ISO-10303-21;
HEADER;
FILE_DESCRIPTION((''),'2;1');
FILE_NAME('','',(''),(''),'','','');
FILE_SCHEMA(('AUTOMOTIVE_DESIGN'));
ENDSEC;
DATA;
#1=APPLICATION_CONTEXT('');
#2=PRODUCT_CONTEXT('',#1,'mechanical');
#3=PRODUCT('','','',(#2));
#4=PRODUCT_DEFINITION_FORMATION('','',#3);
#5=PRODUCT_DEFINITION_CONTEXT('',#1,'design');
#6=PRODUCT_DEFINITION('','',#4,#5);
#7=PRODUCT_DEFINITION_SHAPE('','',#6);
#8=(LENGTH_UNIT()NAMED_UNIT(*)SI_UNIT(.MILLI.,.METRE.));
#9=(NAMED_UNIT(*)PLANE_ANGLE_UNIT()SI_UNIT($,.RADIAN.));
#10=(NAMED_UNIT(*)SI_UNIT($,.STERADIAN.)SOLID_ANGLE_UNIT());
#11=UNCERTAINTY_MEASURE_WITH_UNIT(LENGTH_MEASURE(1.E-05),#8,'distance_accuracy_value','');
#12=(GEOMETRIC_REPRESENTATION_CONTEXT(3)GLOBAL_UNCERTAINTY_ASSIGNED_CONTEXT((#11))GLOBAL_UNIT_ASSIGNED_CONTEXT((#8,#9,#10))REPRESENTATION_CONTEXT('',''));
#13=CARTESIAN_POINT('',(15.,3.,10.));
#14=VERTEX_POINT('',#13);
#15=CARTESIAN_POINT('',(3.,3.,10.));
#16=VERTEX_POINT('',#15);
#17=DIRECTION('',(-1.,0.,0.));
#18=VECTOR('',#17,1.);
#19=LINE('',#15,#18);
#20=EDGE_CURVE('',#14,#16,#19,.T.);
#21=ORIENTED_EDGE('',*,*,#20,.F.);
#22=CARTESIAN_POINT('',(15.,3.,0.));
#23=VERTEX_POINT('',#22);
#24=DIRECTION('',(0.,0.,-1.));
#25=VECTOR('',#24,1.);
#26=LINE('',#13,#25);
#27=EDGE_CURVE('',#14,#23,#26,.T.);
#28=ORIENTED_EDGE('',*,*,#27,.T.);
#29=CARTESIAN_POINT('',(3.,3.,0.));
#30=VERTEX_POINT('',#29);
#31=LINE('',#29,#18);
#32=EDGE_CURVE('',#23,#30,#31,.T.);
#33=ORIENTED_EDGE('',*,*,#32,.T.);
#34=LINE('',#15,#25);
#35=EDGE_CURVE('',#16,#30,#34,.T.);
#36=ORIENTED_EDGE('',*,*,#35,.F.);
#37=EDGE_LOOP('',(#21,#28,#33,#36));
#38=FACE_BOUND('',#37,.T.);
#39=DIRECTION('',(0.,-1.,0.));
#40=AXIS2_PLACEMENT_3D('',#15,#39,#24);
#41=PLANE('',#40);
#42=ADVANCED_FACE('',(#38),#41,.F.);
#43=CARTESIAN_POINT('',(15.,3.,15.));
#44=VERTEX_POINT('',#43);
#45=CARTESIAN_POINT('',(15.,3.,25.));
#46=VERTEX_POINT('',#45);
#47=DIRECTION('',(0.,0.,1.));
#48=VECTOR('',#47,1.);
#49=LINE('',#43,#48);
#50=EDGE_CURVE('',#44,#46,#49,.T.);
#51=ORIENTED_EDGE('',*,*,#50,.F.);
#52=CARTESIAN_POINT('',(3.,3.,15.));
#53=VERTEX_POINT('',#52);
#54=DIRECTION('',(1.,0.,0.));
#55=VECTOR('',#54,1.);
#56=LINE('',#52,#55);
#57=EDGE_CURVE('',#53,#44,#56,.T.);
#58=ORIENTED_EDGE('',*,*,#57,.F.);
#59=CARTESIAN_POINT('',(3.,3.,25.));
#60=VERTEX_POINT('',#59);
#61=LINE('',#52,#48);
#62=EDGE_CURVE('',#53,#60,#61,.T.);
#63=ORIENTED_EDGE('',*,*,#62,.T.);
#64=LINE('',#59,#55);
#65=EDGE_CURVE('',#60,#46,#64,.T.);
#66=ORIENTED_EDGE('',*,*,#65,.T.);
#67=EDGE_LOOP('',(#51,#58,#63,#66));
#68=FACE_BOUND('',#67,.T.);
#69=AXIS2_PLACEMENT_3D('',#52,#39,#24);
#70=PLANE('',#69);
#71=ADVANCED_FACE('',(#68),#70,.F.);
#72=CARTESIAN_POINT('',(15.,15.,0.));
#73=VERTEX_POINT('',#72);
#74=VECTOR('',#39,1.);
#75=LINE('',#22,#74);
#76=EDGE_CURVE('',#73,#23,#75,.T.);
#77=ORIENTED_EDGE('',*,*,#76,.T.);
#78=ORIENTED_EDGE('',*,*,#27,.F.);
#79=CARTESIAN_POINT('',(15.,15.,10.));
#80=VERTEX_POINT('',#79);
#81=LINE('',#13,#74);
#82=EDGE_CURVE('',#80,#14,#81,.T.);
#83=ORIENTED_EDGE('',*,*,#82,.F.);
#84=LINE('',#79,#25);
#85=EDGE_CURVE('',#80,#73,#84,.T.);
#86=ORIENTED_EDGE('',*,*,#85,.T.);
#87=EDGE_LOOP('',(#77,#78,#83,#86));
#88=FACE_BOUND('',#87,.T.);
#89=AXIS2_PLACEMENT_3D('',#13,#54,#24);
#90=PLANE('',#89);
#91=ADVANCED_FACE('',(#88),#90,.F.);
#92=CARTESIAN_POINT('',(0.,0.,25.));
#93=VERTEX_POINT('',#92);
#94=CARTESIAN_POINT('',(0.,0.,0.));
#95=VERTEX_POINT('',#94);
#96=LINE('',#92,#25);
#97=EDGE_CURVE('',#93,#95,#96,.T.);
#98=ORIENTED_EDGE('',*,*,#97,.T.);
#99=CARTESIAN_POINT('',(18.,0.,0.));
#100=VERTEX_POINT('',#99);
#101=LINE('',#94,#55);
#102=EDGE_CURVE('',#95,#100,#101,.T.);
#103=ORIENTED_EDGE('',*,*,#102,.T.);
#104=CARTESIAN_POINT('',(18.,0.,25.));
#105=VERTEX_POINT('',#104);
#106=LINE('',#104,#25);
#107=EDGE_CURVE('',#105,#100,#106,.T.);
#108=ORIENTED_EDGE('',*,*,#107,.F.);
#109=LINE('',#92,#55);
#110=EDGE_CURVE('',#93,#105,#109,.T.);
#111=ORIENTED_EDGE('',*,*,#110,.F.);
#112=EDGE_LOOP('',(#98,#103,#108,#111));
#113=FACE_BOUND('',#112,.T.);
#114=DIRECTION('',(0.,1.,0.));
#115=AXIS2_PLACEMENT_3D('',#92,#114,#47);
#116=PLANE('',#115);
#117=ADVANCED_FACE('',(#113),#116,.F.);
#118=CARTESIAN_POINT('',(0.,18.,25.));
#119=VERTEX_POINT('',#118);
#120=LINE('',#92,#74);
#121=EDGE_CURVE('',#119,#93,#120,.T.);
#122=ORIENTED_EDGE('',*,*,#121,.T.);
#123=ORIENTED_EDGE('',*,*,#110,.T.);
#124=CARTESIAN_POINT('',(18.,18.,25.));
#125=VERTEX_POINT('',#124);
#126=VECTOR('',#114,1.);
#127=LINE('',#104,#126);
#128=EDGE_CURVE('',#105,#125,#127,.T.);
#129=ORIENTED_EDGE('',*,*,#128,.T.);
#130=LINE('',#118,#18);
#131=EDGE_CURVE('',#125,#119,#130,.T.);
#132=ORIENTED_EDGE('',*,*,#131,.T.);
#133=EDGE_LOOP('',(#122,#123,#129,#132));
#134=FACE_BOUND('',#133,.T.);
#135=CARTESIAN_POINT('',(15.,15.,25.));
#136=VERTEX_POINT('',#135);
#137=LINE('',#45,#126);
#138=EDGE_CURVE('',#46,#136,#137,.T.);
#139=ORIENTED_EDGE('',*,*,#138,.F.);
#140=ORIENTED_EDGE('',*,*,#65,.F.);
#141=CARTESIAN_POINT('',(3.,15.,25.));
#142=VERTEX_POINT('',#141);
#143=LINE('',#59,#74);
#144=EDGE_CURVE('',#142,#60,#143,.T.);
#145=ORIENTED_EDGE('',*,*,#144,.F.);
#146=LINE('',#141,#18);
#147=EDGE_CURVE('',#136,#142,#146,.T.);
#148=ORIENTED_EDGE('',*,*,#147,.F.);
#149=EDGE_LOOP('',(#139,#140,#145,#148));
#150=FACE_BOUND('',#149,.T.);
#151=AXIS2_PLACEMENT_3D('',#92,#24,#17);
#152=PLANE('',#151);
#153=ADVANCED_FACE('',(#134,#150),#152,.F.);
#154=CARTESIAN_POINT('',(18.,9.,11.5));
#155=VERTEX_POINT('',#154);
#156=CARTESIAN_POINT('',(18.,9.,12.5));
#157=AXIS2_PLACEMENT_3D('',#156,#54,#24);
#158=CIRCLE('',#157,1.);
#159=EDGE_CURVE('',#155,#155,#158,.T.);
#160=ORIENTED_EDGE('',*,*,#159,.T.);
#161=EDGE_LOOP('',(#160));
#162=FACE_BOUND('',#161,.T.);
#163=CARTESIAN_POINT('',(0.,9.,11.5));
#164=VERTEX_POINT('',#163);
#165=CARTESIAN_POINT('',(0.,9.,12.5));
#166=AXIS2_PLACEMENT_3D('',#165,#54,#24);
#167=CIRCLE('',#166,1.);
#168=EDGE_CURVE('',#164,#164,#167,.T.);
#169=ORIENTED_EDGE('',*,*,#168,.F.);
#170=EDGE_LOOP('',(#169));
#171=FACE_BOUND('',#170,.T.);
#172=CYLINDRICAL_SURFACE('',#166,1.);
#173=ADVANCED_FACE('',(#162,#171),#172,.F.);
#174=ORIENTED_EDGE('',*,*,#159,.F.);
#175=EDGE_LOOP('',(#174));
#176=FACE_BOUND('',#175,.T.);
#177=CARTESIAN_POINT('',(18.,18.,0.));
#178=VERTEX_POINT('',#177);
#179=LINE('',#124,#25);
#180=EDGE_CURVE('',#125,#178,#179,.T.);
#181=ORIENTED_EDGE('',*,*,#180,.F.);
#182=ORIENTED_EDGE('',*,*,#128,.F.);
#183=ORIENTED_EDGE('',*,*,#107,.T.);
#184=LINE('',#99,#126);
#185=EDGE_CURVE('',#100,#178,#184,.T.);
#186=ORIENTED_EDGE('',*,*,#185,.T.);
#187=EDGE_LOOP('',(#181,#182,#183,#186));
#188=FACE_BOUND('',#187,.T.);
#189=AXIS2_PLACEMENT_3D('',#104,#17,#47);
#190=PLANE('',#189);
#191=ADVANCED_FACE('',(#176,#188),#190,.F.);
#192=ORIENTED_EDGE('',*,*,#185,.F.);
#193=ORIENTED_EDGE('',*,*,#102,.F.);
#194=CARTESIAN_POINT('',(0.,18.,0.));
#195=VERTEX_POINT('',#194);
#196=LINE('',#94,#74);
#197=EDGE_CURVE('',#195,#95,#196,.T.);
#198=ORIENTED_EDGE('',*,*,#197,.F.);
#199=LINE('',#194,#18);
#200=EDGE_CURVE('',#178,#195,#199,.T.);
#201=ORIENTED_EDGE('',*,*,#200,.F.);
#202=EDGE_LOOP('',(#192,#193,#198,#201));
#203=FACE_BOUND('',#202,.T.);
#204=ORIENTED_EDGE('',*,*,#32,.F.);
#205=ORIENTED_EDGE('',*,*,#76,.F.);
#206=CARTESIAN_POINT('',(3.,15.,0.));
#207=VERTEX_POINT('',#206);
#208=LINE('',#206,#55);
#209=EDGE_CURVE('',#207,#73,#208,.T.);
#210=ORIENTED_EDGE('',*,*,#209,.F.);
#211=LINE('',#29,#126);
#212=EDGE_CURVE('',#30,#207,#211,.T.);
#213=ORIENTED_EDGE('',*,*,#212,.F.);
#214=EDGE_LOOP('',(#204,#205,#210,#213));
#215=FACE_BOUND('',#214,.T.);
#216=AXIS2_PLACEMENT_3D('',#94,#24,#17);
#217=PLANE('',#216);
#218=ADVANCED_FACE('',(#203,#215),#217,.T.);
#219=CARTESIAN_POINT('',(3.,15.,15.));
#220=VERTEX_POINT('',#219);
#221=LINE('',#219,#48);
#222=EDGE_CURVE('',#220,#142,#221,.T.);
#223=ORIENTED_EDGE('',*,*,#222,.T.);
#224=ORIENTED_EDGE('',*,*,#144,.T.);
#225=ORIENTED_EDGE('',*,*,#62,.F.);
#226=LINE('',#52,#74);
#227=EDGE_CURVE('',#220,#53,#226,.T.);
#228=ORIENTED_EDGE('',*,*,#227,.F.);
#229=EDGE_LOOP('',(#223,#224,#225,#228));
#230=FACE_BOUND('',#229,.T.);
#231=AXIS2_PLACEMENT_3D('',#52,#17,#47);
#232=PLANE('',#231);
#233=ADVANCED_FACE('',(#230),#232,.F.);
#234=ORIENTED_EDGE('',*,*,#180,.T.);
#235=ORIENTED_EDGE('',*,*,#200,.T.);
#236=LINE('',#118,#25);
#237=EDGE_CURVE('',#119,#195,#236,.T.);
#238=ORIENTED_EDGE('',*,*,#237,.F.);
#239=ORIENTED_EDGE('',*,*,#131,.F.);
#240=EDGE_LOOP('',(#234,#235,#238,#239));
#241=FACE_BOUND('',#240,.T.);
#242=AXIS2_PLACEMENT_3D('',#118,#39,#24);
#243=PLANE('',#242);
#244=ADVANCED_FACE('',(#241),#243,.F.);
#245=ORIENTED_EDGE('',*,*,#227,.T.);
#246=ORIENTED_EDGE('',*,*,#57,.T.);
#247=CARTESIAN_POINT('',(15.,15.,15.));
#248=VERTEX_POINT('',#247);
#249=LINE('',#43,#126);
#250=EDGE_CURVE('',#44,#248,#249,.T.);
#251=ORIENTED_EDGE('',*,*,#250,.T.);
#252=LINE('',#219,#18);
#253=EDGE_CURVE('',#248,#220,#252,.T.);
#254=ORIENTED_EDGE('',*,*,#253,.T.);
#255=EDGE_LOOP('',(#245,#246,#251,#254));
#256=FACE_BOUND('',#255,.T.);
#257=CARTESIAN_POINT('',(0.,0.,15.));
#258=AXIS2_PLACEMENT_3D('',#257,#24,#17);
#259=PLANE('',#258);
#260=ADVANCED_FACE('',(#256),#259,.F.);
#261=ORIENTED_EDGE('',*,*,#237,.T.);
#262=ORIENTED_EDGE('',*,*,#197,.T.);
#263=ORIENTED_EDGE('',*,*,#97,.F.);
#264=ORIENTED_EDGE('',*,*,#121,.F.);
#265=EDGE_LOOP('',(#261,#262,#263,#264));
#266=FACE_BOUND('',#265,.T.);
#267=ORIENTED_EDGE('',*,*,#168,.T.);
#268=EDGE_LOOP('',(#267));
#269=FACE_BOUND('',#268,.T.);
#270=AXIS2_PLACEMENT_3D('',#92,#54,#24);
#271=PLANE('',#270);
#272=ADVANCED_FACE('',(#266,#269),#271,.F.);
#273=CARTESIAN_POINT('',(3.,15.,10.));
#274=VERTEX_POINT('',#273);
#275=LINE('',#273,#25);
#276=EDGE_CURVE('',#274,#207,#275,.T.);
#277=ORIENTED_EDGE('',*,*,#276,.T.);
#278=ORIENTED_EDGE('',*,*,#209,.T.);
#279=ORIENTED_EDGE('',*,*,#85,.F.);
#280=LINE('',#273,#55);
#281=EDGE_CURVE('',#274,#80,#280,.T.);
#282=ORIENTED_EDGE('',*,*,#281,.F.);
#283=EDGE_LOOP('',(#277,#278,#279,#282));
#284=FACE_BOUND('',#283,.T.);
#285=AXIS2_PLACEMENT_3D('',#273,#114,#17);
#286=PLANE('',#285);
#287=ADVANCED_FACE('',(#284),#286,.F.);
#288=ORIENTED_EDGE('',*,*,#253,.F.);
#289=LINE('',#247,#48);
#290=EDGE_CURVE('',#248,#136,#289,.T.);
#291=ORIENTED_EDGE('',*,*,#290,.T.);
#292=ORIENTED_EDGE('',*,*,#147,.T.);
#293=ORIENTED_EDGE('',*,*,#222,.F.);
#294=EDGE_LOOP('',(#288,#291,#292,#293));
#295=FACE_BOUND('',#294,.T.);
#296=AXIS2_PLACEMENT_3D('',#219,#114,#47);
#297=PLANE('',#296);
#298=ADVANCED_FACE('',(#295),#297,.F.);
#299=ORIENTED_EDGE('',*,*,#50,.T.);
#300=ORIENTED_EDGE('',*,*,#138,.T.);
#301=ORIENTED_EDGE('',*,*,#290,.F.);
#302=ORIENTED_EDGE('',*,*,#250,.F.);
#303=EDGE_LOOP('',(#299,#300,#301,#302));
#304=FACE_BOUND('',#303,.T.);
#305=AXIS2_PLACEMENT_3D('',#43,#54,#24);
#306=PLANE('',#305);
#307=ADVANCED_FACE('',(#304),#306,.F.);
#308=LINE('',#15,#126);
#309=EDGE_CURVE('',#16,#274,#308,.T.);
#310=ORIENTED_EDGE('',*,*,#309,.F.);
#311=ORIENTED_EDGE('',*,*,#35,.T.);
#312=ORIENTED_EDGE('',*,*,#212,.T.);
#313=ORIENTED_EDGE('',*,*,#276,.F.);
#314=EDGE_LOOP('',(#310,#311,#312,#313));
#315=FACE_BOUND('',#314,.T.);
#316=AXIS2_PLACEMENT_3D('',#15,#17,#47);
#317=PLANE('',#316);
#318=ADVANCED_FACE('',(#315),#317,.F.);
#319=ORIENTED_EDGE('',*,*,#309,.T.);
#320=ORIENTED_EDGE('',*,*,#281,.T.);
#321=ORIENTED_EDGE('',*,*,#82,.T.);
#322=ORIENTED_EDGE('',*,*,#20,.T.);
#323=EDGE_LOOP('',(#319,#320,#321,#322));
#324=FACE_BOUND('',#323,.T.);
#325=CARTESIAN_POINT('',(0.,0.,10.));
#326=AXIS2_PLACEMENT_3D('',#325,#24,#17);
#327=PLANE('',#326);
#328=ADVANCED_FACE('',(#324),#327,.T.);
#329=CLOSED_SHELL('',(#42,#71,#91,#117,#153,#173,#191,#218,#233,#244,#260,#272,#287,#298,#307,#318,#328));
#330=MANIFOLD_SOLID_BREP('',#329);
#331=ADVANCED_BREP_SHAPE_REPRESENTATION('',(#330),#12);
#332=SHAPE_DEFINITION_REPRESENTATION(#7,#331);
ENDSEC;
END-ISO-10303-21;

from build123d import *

# Parameters (mm, degrees)
SKETCH_1_W          = 18
SKETCH_1_H          = 18
EXTRUDE_2_DEPTH     = 25
SKETCH_2_W          = 12
SKETCH_2_H          = 12
CUT_EXTRUDE_1_DEPTH = 10
SKETCH_4_W          = 12
SKETCH_4_H          = 12
CUT_EXTRUDE_3_DEPTH = 10
SKETCH_5_R          = 1
CUT_EXTRUDE_4_DEPTH = 18


with BuildPart() as part:
    # 草图1 → 凸台-拉伸2 (new body)
    with BuildSketch(Plane.XY):
        with Locations((9, 9)):
            Rectangle(SKETCH_1_W, SKETCH_1_H)
    extrude(amount=EXTRUDE_2_DEPTH)

    # 草图2 → 切除-拉伸1 (cut)
    with BuildSketch(Plane(origin=(0, 0, 0), x_dir=(-1, 0, 0), z_dir=(0, 0, -1))):
        with Locations((-9, 9)):
            Rectangle(SKETCH_2_W, SKETCH_2_H)
    extrude(amount=-CUT_EXTRUDE_1_DEPTH, mode=Mode.SUBTRACT)

    # 草图4 → 切除-拉伸3 (cut)
    with BuildSketch(Plane.XY.offset(25)):
        with Locations((9, 9)):
            Rectangle(SKETCH_4_W, SKETCH_4_H)
    extrude(amount=-CUT_EXTRUDE_3_DEPTH, mode=Mode.SUBTRACT)

    # 草图5 → 切除-拉伸4 (cut)
    with BuildSketch(Plane(origin=(18, 0, 0), x_dir=(0, 0, -1), z_dir=(1, 0, 0))):
        with Locations((-12.5, 9)):
            Circle(SKETCH_5_R)
    extrude(amount=-CUT_EXTRUDE_4_DEPTH, mode=Mode.SUBTRACT)


solid = part.part
